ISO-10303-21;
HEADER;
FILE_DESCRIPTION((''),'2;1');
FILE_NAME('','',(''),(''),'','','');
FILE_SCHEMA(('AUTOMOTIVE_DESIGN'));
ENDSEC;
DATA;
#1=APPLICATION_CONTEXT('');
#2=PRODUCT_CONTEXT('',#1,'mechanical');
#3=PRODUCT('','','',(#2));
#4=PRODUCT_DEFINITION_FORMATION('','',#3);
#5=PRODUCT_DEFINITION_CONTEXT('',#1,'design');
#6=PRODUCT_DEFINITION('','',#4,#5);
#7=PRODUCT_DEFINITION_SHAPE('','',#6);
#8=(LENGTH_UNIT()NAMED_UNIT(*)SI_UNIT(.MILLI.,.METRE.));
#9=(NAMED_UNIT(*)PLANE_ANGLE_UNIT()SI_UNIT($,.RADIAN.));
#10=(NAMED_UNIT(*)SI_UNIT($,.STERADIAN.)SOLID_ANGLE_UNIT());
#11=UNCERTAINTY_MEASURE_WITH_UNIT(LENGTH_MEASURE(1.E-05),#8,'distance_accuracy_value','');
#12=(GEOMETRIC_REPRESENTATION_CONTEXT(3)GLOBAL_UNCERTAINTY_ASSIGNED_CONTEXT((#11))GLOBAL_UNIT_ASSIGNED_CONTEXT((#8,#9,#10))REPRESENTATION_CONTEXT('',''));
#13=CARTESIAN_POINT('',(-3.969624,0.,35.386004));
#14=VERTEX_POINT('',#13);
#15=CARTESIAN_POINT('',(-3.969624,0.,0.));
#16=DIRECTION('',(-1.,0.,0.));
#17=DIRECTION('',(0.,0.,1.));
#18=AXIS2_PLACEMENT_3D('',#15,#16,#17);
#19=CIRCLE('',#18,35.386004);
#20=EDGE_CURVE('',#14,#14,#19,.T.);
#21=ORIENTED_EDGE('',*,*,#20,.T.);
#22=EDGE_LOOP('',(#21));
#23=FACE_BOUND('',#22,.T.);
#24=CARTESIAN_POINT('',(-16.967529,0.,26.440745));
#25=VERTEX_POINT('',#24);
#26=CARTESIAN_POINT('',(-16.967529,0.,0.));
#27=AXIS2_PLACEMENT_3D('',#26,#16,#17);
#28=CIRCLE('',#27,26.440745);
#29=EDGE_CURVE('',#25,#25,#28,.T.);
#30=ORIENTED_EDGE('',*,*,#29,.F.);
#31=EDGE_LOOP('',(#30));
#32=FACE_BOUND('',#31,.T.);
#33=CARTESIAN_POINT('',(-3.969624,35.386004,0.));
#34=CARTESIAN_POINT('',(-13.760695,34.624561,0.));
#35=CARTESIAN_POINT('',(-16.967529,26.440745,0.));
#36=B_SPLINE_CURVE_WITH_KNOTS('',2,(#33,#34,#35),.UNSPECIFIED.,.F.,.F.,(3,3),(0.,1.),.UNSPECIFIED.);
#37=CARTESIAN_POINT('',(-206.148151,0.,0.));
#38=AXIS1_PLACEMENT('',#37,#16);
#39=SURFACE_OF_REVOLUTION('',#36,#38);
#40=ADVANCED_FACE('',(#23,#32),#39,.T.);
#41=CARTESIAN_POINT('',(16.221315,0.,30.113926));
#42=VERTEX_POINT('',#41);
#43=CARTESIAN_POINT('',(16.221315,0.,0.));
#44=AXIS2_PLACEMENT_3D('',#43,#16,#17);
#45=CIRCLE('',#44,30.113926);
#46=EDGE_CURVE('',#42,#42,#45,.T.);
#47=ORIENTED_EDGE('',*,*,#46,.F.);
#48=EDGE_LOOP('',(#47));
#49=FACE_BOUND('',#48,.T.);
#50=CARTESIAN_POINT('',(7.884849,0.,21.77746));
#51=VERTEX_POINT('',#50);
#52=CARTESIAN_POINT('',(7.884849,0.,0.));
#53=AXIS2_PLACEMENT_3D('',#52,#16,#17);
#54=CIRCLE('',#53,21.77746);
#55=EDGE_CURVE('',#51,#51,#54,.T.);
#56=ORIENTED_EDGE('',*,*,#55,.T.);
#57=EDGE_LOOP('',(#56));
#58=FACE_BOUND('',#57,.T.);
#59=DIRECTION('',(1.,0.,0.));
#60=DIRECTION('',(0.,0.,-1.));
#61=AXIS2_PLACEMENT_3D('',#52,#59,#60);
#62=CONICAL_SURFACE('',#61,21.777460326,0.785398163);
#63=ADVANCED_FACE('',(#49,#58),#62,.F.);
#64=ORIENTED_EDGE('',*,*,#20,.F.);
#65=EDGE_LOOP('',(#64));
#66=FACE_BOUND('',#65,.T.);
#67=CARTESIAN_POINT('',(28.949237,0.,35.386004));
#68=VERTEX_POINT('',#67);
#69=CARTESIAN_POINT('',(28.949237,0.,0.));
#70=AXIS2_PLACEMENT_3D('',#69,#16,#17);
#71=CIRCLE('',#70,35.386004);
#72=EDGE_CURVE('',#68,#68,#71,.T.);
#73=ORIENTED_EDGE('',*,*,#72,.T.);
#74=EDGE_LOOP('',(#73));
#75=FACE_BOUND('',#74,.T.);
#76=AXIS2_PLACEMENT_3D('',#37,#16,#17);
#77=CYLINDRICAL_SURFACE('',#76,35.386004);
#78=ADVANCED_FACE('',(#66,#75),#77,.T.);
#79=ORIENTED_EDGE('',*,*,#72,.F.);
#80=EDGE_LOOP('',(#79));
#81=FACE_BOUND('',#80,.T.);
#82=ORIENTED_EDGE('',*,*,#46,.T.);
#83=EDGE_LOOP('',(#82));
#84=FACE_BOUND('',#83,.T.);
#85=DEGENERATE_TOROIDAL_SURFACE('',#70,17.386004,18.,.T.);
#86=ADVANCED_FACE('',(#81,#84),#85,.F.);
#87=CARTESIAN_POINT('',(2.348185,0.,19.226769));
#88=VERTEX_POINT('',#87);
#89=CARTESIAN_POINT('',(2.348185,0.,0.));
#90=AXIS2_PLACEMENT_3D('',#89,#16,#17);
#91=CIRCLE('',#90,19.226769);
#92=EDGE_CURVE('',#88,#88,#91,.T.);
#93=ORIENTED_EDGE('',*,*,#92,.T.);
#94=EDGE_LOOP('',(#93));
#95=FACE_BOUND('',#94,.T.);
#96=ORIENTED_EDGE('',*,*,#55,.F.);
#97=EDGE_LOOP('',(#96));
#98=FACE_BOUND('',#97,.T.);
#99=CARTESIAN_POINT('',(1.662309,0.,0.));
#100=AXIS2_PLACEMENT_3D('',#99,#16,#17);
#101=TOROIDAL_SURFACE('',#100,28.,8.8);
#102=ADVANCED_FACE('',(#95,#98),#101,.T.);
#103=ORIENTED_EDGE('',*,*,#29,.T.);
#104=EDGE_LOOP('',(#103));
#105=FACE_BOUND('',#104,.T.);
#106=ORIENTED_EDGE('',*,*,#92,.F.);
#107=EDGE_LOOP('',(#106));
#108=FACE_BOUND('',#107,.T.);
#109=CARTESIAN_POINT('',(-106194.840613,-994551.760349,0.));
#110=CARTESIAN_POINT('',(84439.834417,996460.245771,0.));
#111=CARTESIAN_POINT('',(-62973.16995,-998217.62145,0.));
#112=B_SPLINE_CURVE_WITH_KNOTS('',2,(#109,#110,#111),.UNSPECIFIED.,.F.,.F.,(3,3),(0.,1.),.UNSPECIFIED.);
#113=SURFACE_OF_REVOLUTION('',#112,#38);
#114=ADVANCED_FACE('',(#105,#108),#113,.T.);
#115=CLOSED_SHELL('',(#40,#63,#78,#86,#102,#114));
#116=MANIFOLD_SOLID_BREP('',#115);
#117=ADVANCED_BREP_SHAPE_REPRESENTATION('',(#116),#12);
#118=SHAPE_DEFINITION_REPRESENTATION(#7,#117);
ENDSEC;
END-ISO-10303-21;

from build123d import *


with BuildPart() as part:
    # Sketch1 → Revolve1 (revolve)
    with BuildSketch(Plane.XY, mode=Mode.PRIVATE) as revolve1_sk:
        with BuildLine():
            Line((16.221314872, 30.113926078), (7.884849119, 21.777460326))
            ThreePointArc((7.884849119, 21.777460326), (5.344435892, 20.007381854), (2.348184674, 19.226769399))
            add(Edge.make_bspline(
                [(2.348184674, 19.226769399), (-7.274253669, 23.251350298), (-16.967528587, 26.440745397)],
                knots=[0, 0, 0, 1, 1, 1], degree=2))
            add(Edge.make_bspline(
                [(-3.969623677, 35.386004017), (-13.760694678, 34.624561197), (-16.967528587, 26.440745397)],
                knots=[0, 0, 0, 1, 1, 1], degree=2))
            Line((-3.969623677, 35.386004017), (28.949236933, 35.386004017))
            ThreePointArc((28.949236933, 35.386004017), (22.060935151, 34.015835602), (16.221314872, 30.113926078))
        make_face()
    revolve(revolve1_sk.sketch.rotate(Axis((-206.148150747, 0, 0), (1, 0, 0)), 90), axis=Axis((-206.148150747, 0, 0), (1, 0, 0)))


solid = part.part
